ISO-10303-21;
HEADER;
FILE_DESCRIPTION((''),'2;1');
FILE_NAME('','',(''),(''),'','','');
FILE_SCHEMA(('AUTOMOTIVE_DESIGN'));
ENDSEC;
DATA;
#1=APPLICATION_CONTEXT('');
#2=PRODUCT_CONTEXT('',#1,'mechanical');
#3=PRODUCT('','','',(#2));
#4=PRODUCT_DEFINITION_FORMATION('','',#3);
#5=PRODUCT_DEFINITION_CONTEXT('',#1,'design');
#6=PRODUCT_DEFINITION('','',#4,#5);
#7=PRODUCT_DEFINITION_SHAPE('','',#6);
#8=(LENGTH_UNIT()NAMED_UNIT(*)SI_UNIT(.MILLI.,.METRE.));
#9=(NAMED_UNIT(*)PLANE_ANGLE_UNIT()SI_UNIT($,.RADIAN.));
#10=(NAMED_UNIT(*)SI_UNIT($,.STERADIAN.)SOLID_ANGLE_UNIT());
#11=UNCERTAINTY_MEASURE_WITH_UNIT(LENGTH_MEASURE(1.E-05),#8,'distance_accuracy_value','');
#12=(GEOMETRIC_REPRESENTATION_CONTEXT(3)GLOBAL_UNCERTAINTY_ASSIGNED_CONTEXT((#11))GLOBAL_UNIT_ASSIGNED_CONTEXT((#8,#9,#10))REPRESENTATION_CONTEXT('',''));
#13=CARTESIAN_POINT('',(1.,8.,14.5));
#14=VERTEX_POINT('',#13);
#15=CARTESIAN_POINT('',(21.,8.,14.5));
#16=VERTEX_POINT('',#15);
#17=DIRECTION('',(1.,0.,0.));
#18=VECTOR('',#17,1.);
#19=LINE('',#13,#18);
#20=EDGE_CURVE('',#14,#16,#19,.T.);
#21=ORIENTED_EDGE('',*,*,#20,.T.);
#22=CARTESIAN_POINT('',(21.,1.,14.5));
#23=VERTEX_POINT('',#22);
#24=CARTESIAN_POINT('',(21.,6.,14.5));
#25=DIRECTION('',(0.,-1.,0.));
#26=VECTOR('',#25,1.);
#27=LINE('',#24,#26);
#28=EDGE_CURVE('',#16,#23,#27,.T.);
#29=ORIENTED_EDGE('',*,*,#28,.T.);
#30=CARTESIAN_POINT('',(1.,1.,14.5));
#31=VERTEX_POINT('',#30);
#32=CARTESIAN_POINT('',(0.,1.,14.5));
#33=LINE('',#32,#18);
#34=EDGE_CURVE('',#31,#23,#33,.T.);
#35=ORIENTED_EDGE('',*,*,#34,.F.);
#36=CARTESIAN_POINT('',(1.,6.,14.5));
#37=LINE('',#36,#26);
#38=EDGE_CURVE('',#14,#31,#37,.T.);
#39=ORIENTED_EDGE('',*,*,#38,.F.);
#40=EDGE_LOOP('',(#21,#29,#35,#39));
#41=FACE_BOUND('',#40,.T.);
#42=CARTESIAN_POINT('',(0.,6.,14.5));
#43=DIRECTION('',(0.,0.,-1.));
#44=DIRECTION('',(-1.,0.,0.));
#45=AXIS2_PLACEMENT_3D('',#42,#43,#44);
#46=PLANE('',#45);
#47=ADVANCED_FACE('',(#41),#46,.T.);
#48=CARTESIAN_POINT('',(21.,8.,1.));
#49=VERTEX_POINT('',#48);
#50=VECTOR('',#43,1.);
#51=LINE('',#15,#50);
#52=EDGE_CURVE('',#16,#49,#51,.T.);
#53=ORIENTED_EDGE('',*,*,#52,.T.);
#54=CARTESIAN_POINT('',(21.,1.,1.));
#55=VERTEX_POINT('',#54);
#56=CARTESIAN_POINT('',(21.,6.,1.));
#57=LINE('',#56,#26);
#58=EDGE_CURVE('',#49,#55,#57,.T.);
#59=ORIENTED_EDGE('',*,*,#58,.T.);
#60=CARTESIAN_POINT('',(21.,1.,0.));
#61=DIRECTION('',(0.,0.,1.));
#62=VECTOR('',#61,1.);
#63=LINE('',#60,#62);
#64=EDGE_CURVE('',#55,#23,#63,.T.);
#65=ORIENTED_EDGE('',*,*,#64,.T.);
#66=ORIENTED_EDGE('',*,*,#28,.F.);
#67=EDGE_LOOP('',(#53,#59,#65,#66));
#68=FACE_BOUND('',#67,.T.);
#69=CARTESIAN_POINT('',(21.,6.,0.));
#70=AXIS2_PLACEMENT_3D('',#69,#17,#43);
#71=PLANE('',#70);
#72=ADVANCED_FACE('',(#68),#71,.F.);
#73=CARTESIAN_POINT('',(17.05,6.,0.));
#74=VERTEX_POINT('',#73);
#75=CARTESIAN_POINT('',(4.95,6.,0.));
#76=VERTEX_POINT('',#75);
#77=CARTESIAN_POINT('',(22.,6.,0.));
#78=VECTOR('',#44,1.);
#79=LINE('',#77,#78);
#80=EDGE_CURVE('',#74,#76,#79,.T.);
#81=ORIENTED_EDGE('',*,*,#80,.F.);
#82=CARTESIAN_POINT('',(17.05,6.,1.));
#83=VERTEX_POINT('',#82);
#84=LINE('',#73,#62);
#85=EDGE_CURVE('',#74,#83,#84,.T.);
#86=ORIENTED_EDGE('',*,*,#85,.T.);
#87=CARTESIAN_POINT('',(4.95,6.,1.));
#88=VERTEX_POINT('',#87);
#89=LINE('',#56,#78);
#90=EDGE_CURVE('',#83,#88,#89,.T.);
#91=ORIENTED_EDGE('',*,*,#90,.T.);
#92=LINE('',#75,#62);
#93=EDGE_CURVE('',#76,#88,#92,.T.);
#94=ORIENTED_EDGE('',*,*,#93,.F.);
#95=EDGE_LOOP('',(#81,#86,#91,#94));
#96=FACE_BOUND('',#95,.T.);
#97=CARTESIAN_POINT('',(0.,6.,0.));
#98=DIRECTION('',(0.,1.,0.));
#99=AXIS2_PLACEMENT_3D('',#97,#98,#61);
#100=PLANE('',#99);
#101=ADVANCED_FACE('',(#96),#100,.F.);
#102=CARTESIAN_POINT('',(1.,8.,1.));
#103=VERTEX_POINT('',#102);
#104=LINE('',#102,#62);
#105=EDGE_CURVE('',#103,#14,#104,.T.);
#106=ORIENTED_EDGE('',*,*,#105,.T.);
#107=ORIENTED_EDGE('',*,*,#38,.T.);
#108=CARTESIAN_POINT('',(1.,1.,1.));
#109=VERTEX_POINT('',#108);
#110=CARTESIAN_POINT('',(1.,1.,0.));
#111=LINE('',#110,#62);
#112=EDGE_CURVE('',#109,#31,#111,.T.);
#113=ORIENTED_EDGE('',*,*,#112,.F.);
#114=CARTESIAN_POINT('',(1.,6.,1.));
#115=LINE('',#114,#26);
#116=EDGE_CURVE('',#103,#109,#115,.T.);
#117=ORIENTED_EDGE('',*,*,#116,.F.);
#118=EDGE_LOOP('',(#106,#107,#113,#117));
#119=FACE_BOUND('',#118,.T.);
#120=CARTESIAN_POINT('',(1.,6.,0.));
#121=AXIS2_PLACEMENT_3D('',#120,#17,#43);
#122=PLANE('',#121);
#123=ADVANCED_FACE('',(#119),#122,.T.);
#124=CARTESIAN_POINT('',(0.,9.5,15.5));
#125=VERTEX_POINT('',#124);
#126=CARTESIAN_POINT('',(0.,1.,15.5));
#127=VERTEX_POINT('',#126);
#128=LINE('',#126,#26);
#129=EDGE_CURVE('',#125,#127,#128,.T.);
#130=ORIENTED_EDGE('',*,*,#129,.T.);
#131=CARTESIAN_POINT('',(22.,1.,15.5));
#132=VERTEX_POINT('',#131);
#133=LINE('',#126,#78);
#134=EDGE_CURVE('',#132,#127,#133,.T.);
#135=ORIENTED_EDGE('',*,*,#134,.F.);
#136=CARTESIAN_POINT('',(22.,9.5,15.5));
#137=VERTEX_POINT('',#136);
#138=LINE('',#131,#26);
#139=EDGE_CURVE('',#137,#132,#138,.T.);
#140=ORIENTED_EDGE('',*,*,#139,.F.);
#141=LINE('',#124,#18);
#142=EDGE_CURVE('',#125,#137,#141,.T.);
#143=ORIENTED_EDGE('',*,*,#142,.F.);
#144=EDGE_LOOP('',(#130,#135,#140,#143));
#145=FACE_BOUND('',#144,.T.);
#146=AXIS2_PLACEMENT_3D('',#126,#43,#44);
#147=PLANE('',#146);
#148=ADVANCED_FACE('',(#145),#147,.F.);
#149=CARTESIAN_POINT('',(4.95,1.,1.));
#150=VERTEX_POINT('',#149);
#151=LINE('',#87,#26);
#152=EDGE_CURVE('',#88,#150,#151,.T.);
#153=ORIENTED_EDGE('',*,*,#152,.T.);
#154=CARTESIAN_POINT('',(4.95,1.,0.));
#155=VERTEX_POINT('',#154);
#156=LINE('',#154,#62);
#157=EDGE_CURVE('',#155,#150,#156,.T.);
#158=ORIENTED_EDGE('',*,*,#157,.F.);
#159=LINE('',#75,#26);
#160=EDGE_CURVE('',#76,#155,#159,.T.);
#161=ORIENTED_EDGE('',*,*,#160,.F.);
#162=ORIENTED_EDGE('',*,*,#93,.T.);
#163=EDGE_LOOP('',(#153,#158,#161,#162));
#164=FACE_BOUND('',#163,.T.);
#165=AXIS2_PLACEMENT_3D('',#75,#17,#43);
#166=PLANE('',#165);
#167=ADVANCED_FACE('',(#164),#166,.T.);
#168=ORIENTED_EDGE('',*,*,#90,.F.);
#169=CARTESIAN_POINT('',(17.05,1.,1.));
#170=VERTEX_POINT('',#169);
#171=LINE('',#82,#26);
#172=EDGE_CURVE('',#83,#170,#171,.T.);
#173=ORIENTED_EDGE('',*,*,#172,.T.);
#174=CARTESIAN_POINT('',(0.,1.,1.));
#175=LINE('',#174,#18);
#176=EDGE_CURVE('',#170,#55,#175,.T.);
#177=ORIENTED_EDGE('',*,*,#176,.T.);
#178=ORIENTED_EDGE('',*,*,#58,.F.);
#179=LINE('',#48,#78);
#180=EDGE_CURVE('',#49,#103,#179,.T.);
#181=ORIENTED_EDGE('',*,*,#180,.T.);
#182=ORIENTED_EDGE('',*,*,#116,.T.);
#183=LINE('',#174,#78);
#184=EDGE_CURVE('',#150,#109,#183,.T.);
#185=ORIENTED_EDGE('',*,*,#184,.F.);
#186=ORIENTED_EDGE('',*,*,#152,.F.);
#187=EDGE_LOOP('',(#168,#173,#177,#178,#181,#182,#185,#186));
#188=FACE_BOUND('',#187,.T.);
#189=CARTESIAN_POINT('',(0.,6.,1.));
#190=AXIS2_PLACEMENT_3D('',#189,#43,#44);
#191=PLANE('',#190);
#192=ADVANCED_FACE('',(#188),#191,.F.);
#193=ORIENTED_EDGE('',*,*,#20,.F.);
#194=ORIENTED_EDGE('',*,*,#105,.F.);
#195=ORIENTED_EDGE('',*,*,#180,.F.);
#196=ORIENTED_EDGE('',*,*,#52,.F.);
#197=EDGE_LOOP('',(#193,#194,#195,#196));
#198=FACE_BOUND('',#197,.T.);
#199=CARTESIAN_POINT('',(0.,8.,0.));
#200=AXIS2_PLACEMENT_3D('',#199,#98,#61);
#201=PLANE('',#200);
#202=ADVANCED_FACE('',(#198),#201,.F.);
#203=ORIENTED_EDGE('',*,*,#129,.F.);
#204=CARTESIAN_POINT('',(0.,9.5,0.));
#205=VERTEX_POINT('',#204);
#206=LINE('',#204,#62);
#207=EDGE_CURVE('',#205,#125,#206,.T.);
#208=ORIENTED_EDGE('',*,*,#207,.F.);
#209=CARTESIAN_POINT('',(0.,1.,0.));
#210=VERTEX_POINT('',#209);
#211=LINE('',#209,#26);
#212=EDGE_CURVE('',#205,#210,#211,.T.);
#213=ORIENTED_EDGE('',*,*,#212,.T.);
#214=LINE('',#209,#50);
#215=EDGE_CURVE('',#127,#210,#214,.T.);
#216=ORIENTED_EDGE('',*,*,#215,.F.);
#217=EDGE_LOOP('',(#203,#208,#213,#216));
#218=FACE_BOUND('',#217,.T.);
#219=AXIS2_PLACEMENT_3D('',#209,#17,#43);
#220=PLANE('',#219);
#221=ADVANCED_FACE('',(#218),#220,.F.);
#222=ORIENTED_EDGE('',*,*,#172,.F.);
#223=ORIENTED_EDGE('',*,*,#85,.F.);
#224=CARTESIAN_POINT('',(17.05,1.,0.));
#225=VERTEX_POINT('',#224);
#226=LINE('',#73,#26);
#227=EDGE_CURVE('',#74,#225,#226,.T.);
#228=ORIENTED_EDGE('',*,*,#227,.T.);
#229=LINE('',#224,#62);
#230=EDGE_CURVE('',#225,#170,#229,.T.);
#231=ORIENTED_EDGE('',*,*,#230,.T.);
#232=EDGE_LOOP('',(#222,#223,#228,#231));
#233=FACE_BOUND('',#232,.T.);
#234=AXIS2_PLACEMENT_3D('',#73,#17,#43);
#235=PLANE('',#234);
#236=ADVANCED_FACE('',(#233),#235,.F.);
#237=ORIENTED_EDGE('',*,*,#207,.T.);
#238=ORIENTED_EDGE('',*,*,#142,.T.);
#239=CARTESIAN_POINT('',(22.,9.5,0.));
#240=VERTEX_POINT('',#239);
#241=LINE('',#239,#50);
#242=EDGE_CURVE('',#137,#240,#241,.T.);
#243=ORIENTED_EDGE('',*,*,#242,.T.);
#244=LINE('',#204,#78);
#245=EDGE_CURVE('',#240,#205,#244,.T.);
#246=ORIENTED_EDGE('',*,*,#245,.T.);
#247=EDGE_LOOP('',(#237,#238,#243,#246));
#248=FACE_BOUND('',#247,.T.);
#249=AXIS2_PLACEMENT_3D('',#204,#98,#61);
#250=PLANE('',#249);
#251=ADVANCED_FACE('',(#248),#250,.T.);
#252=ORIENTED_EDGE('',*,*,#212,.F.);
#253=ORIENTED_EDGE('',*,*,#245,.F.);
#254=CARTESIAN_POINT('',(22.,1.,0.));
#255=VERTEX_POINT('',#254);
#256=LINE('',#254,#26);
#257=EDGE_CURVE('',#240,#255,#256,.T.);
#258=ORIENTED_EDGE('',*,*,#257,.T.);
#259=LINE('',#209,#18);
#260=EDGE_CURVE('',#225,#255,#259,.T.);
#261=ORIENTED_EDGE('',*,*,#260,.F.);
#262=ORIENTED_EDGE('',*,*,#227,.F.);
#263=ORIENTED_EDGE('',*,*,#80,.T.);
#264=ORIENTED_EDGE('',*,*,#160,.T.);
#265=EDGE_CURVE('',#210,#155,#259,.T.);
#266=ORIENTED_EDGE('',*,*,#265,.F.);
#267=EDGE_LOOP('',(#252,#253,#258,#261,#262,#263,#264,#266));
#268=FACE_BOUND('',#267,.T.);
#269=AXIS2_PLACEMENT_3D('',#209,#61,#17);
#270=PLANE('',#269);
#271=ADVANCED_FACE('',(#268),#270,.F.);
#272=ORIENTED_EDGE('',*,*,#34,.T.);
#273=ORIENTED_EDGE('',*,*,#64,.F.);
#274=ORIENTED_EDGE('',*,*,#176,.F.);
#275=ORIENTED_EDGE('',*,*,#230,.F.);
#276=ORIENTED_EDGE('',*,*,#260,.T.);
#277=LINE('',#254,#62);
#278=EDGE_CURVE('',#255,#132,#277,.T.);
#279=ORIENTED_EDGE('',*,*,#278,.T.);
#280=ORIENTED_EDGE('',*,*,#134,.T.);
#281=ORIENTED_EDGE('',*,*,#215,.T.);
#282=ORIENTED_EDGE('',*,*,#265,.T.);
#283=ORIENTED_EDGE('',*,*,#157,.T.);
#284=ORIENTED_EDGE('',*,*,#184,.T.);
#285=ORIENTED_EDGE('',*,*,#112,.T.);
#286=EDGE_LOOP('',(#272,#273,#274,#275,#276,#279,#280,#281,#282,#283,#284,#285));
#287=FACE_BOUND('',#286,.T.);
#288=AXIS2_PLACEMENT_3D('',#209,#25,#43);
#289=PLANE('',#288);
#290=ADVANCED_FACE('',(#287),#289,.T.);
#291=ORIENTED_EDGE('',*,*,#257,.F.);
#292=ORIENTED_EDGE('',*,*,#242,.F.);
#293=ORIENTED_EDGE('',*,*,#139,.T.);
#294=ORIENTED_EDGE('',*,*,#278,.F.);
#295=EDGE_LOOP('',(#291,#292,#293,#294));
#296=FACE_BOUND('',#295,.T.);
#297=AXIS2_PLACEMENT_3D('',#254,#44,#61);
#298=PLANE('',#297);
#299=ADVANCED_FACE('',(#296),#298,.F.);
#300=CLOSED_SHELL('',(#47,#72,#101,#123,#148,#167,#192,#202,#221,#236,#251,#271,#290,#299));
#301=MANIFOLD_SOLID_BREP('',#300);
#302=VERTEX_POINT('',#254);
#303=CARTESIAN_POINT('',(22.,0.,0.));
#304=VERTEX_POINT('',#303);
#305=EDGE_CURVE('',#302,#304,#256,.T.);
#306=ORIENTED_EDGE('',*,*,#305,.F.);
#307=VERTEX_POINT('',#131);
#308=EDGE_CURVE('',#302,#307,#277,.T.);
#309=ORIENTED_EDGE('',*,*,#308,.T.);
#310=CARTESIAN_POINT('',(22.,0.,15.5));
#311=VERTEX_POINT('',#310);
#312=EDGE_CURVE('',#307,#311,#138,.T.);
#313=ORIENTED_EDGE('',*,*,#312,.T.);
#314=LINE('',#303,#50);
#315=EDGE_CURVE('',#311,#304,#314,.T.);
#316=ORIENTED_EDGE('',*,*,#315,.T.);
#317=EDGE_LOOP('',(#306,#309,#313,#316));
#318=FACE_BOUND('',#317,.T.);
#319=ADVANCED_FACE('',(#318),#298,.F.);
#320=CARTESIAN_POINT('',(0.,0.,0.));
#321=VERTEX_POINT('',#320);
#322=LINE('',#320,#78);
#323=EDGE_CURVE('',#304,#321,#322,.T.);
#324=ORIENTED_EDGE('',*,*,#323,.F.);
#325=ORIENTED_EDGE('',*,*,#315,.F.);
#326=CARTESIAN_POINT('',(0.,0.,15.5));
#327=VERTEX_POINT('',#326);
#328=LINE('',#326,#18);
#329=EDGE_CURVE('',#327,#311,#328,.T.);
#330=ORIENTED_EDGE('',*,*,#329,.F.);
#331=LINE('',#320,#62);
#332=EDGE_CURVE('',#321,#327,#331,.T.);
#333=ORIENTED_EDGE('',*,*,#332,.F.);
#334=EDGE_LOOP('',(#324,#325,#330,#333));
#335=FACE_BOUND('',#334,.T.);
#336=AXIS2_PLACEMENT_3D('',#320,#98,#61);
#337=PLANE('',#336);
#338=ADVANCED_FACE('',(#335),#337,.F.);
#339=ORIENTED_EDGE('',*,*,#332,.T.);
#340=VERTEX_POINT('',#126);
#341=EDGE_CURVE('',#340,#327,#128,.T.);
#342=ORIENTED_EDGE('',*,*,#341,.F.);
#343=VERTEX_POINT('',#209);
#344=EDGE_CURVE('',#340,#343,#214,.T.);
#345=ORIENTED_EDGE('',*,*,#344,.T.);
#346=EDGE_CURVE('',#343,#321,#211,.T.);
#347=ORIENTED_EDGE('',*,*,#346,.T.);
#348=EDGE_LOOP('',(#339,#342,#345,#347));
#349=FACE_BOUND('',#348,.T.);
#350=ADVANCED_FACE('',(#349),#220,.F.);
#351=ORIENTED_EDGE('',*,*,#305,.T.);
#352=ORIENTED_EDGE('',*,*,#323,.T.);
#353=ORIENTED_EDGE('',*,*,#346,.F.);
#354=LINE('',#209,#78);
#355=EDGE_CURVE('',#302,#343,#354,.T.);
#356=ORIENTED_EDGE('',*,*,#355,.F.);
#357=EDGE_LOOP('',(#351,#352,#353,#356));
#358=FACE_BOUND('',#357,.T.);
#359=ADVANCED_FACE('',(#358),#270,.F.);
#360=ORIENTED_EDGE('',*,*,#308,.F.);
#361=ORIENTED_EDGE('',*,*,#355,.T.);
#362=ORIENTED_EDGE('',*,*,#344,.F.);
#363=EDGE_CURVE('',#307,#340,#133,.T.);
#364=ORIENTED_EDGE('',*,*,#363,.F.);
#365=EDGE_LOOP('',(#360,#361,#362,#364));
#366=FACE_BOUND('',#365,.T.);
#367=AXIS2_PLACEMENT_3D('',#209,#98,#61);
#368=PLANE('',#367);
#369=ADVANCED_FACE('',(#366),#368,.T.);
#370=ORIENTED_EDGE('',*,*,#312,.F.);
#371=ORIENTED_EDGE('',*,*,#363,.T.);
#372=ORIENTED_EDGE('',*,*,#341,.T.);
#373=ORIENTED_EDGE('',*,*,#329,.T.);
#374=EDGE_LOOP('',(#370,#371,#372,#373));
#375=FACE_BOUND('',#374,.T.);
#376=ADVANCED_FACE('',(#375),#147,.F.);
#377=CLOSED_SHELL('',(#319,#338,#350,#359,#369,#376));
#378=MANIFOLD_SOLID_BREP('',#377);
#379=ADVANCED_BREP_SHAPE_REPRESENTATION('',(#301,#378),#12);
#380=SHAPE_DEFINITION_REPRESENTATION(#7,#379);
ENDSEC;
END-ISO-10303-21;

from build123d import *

# Parameters (mm, degrees)
SKETCH_1_W      = 22
SKETCH_1_H      = 15.5
EXTRUDE_1_DEPTH = 1
EXTRUDE_2_DEPTH = 5
SKETCH_3_W      = 22
SKETCH_3_H      = 15.5
SKETCH_3_W_2    = 20
SKETCH_3_H_2    = 13.5
EXTRUDE_3_DEPTH = 2
SKETCH_4_W      = 22
SKETCH_4_H      = 15.5
EXTRUDE_4_DEPTH = 1.5


with BuildPart() as part:
    # 草图1 → 凸台-拉伸1 (new body)
    with BuildSketch(Plane(origin=(0, 0, 0), x_dir=(1, 0, 0), z_dir=(0, 1, 0))):
        with Locations((11, -7.75)):
            Rectangle(SKETCH_1_W, SKETCH_1_H)
    extrude(amount=EXTRUDE_1_DEPTH)

    # 草图2 → 凸台-拉伸2 (add)
    with BuildSketch(Plane(origin=(0, 1, 0), x_dir=(1, 0, 0), z_dir=(0, 1, 0))):
        Polygon((4.95, -1), (4.95, 0), (0, 0), (0, -1.5), (0, -15.5), (1.5, -15.5), (11, -15.5), (11, -14.5), (1, -14.5), (1, -1), align=None)
        Polygon((22, 0), (17.05, 0), (17.05, -1), (21, -1), (21, -14.5), (11, -14.5), (11, -15.5), (20.5, -15.5), (22, -15.5), (22, -1.5), align=None)
    extrude(amount=EXTRUDE_2_DEPTH)

    # 草图3 → 凸台-拉伸3 (add)
    with BuildSketch(Plane(origin=(0, 6, 0), x_dir=(1, 0, 0), z_dir=(0, 1, 0))):
        with Locations((11, -7.75)):
            Rectangle(SKETCH_3_W, SKETCH_3_H)
        with Locations((11, -7.75)):
            Rectangle(SKETCH_3_W_2, SKETCH_3_H_2, mode=Mode.SUBTRACT)
    extrude(amount=EXTRUDE_3_DEPTH)

    # 草图4 → 凸台-拉伸4 (add)
    with BuildSketch(Plane(origin=(0, 8, 0), x_dir=(1, 0, 0), z_dir=(0, 1, 0))):
        with Locations((11, -7.75)):
            Rectangle(SKETCH_4_W, SKETCH_4_H)
    extrude(amount=EXTRUDE_4_DEPTH)


with BuildPart() as body_2:
    # Split Bodies 1: the piece on the far side of the plane
    add(part.part)
    split(bisect_by=Plane(origin=(0, 1, 0), x_dir=(0, 0, -1), z_dir=(0, -1, 0)), keep=Keep.BOTTOM)


with BuildPart() as part_1:
    add(part.part)

    # Split Bodies 1
    split(bisect_by=Plane(origin=(0, 1, 0), x_dir=(0, 0, -1), z_dir=(0, -1, 0)), keep=Keep.TOP)


solid = Compound([body_2.part, part_1.part])
